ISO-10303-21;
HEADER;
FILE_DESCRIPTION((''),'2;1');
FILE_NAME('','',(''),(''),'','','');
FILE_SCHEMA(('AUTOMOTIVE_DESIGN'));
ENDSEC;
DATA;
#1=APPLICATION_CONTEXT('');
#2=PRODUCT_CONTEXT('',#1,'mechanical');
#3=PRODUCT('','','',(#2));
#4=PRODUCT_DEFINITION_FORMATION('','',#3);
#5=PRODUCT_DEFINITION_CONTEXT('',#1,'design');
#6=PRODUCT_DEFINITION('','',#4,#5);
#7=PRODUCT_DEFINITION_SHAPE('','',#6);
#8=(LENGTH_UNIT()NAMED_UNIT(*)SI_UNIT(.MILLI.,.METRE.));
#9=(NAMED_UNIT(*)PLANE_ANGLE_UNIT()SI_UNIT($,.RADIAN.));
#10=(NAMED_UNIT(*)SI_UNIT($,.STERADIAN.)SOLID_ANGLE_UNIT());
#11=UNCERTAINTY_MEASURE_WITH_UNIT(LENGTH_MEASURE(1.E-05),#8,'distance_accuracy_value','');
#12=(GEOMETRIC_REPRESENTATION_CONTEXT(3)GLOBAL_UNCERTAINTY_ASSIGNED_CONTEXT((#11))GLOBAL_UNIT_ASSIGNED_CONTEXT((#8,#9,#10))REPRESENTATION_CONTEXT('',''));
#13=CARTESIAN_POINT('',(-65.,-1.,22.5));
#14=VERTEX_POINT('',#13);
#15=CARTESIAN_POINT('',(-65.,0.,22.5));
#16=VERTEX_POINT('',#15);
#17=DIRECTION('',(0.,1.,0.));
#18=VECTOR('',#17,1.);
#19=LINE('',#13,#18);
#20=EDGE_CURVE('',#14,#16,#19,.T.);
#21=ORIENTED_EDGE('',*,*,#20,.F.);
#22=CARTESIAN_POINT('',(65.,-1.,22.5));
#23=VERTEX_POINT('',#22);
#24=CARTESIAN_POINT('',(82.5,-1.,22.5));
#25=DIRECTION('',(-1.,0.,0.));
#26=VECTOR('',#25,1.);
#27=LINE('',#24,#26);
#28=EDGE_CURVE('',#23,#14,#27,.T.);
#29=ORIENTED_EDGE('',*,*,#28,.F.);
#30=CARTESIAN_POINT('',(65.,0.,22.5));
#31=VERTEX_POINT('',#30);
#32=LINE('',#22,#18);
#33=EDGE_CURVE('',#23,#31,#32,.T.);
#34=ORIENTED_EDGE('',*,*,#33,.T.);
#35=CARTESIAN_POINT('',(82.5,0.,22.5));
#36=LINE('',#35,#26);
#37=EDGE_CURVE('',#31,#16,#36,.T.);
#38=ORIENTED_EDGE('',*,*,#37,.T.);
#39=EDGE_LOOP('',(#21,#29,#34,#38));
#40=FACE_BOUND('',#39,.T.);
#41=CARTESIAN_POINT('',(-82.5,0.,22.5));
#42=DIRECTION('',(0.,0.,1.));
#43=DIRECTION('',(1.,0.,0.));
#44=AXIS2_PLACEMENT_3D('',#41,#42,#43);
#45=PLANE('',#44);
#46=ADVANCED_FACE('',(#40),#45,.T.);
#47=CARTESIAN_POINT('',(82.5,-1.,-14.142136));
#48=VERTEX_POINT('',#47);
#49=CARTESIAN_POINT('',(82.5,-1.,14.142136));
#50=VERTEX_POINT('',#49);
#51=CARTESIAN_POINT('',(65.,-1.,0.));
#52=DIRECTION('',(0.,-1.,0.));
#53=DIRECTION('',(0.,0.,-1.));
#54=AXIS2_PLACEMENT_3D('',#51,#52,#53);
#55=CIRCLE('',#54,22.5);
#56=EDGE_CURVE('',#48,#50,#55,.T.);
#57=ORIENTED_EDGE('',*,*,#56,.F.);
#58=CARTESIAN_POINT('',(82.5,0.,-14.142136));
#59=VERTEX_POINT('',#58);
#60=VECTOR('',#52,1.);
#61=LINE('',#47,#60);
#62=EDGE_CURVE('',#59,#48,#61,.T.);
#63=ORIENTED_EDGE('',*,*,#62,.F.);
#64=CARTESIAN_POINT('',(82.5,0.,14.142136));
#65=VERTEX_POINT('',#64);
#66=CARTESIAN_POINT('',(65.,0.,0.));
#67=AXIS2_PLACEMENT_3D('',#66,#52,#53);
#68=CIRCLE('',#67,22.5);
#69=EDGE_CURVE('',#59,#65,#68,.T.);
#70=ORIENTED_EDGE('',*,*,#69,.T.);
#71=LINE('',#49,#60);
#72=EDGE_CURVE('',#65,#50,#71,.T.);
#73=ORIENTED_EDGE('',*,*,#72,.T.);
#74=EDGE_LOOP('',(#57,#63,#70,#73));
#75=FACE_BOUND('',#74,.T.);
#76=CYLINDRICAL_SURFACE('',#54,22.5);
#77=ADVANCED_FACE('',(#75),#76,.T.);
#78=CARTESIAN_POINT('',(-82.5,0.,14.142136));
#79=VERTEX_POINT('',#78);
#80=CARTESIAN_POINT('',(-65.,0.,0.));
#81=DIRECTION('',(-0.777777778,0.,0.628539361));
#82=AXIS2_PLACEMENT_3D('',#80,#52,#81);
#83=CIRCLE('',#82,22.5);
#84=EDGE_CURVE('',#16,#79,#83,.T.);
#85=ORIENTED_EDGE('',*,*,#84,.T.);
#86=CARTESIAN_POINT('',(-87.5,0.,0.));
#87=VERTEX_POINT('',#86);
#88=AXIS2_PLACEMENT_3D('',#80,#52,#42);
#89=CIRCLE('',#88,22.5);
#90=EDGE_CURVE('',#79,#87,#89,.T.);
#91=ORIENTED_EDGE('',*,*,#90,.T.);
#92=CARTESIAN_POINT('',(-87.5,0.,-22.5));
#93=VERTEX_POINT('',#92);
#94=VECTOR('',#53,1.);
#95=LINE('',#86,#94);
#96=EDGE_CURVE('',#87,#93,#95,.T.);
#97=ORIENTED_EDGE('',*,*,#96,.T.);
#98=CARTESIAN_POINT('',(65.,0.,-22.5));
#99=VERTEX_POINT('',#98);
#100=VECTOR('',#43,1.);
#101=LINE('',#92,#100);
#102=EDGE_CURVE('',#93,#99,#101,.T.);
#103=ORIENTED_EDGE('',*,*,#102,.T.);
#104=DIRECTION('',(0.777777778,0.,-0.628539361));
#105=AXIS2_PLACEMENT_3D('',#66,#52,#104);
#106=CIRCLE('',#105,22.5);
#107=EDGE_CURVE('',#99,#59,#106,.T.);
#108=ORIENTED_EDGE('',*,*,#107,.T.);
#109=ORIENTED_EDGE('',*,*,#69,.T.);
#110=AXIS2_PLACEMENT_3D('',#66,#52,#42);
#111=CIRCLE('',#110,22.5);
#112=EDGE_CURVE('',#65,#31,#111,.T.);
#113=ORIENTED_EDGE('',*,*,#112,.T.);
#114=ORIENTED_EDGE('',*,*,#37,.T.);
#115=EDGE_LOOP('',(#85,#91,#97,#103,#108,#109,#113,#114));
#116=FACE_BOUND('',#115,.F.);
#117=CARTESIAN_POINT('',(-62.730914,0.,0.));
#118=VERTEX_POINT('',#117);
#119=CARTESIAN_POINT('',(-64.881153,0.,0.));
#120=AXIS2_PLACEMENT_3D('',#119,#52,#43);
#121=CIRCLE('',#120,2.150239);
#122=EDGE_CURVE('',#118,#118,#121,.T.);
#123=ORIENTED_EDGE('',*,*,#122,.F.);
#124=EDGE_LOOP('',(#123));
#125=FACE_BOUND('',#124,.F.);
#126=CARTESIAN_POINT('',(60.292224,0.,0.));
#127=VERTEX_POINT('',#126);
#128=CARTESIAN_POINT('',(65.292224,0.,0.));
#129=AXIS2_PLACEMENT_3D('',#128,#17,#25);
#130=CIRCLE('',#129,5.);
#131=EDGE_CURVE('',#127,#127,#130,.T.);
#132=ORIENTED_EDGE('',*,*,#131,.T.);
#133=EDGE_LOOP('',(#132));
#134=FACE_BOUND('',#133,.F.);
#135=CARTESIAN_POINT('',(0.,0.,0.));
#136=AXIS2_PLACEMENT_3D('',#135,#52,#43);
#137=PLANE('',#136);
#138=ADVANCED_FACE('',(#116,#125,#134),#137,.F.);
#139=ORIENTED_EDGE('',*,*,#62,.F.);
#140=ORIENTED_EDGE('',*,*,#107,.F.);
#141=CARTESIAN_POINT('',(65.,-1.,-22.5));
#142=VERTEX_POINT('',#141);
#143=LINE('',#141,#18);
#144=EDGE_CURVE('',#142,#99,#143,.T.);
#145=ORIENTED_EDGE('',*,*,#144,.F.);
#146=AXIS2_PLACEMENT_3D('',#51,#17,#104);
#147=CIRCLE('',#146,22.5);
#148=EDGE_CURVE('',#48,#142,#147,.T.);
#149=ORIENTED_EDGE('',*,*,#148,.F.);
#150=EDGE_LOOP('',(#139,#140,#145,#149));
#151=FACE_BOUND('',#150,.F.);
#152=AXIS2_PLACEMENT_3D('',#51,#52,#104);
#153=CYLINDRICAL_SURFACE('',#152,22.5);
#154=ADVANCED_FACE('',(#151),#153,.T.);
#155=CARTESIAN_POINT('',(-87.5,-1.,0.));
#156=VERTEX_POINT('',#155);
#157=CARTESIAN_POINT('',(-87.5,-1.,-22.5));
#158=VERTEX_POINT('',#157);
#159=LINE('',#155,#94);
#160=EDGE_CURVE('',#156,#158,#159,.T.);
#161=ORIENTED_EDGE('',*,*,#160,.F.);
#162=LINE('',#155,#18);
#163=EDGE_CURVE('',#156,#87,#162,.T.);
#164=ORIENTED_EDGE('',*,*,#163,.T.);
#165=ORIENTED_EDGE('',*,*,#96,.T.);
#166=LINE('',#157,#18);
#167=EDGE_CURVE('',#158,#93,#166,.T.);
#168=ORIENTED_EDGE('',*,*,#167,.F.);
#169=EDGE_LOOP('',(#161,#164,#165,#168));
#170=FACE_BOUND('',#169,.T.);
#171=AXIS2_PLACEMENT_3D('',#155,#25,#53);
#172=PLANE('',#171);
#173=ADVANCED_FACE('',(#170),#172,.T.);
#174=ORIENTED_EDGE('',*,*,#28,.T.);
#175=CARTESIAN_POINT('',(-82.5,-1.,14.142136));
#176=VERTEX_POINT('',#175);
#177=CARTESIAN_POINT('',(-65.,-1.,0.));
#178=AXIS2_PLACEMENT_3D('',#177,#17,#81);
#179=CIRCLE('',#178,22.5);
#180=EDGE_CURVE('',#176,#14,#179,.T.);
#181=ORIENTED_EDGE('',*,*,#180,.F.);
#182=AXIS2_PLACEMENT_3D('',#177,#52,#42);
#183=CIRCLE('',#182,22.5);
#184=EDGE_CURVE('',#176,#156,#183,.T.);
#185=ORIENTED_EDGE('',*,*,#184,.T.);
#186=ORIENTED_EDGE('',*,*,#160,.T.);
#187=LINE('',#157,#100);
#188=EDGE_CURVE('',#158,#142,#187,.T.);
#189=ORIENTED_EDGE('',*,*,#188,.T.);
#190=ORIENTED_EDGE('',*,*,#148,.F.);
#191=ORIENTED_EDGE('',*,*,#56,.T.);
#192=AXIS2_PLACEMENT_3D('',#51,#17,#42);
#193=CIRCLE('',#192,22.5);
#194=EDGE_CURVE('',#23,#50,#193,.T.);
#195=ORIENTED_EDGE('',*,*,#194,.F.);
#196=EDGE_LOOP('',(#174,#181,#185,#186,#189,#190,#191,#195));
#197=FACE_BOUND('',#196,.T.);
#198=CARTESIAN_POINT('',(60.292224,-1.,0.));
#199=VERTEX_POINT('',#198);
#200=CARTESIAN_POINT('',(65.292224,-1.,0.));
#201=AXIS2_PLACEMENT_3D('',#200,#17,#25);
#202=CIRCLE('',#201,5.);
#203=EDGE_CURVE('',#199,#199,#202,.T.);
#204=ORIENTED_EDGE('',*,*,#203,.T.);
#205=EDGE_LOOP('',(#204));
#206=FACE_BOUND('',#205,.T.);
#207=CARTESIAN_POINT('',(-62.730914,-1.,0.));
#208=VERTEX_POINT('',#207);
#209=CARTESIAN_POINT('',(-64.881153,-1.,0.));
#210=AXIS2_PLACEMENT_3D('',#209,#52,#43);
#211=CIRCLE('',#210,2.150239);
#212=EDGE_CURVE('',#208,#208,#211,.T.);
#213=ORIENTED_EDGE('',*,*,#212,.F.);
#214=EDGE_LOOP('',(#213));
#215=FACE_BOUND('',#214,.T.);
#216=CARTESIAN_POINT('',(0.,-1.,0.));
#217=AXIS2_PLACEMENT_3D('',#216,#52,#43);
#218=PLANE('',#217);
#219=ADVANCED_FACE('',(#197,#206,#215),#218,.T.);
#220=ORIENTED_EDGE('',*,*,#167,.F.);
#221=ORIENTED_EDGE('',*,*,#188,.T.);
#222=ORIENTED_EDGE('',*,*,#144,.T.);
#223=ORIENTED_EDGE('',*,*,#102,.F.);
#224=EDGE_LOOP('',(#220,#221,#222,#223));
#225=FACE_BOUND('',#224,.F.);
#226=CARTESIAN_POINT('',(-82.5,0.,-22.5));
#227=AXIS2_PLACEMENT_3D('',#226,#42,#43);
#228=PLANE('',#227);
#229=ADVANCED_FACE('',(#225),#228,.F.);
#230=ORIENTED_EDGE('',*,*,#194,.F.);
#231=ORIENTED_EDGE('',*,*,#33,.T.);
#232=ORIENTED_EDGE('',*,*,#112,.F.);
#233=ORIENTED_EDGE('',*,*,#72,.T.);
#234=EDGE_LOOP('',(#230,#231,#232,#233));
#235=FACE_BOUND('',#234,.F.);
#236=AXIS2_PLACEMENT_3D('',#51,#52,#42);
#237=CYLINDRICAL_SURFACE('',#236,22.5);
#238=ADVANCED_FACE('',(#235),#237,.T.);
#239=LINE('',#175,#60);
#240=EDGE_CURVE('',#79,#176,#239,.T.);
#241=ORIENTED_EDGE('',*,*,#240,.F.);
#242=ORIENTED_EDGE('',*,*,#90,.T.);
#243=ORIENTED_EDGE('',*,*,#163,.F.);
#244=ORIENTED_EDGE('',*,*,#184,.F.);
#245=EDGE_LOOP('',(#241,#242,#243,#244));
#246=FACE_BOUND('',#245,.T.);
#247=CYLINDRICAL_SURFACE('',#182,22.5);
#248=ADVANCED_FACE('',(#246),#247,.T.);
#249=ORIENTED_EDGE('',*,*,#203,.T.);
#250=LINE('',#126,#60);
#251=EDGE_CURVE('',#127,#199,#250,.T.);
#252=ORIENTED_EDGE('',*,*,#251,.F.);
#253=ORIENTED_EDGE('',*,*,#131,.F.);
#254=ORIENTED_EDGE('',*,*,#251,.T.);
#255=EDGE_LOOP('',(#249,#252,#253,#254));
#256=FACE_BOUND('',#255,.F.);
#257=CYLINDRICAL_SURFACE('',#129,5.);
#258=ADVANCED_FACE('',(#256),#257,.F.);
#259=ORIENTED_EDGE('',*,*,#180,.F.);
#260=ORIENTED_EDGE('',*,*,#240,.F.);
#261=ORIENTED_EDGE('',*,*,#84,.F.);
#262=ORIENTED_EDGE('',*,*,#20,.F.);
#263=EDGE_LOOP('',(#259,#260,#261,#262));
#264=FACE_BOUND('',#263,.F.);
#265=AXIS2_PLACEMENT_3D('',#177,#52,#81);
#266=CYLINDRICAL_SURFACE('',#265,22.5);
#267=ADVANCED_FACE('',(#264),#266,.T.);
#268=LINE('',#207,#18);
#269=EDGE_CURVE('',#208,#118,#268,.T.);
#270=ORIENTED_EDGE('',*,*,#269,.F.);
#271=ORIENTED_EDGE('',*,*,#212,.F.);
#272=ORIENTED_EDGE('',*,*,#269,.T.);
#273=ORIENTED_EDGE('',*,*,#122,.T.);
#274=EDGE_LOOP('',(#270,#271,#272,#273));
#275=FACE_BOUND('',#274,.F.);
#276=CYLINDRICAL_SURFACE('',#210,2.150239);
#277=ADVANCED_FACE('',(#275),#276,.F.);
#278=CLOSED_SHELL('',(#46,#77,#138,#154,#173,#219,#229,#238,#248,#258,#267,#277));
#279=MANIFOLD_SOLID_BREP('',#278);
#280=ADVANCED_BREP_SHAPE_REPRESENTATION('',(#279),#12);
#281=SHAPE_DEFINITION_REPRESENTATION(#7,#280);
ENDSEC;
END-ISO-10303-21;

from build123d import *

# Parameters (mm, degrees)
F0_W      = 165
F0_H      = 45
F0_R      = 12.5
F1_DEPTH  = 1
F3_DEPTH  = 1
F4_DEPTH  = 25
F5_DEPTH  = 25
F8_DEPTH  = 1
F9_W      = 35.9933748841
F9_H      = 31.3726086169
F9_W_2    = 33.6829945445
F9_H_2    = 28.8190245628
F10_DEPTH = 1
F11_R     = 4.1249872097
F12_DEPTH = 25
F13_R     = 2.1502393586
F14_DEPTH = 25
F15_R     = 5
F16_DEPTH = 25


with BuildPart() as f1:
    # F0 (on Front) → F1 (new body)
    with BuildSketch(Plane.XZ):
        Rectangle(F0_W, F0_H)
        with Locations((-65, 0)):
            Circle(F0_R, mode=Mode.SUBTRACT)
        with Locations((65, 0)):
            Circle(F0_R, mode=Mode.SUBTRACT)
    extrude(amount=F1_DEPTH)

    # F2 (on face) → F3 (join)
    with BuildSketch(Plane.XZ.offset(1)):
        with BuildLine():
            Line((68.3925151825, -19.0988145769), (65, -22.5))
            ThreePointArc((65, -22.5), (87.5, 0), (65, 22.5))
            Line((65, 22.5), (71.474224329, 16.2770561874))
            Line((71.474224329, 16.2770561874), (77.4062722921, 9.1145541519))
            Line((77.4062722921, 9.1145541519), (80.3926512599, 2.1407562308))
            Line((80.3926512599, 2.1407562308), (80.3926512599, -5.2317115478))
            Line((80.3926512599, -5.2317115478), (78.3914923668, -12.1520543471))
            Line((78.3914923668, -12.1520543471), (74.6632069349, -14.4081749022))
            Line((74.6632069349, -14.4081749022), (68.3925151825, -19.0988145769))
        make_face()
        with BuildLine():
            Line((-65, 14.9617949501), (-65, 22.5))
            ThreePointArc((-65, 22.5), (-87.5, 0), (-65, -22.5))
            Line((-65, -22.5), (-67.4760043621, -15.6979020685))
            Line((-67.4760043621, -15.6979020685), (-72.8440880775, -12.9142012447))
            Line((-72.8440880775, -12.9142012447), (-76.5851810575, -7.8018400818))
            Line((-76.5851810575, -7.8018400818), (-79.5639529824, 0))
            Line((-79.5639529824, 0), (-79.5639529824, 6.4657721668))
            Line((-79.5639529824, 6.4657721668), (-75.4495188594, 11.7608513683))
            Line((-75.4495188594, 11.7608513683), (-65, 14.9617949501))
        make_face()
    extrude(amount=-F3_DEPTH)

    # F2 (on face) → F4 (cut)
    with BuildSketch(Plane.XZ.offset(1)):
        with BuildLine():
            Line((-82.5, 22.5), (-82.5, 14.1421356237))
            ThreePointArc((-82.5, 14.1421356237), (-74.6966991411, 20.3033008589), (-65, 22.5))
            Line((-65, 22.5), (-82.5, 22.5))
        make_face()
    extrude(amount=-F4_DEPTH, mode=Mode.SUBTRACT)

    # F2 (on face) → F5 (cut)
    with BuildSketch(Plane.XZ.offset(1)):
        with BuildLine():
            ThreePointArc((82.5, -14.1421356237), (74.6966991411, -20.3033008589), (65, -22.5))
            Line((65, -22.5), (82.5, -22.5))
            Line((82.5, -22.5), (82.5, -14.1421356237))
        make_face()
        with BuildLine():
            ThreePointArc((65, 22.5), (74.6966991411, 20.3033008589), (82.5, 14.1421356237))
            Line((82.5, 14.1421356237), (82.5, 22.5))
            Line((82.5, 22.5), (65, 22.5))
        make_face()
        with BuildLine():
            Line((-82.5, -22.5), (-65, -22.5))
            ThreePointArc((-65, -22.5), (-74.6966991411, -20.3033008589), (-82.5, -14.1421356237))
            Line((-82.5, -14.1421356237), (-82.5, -22.5))
        make_face()
    extrude(amount=-F5_DEPTH, mode=Mode.SUBTRACT)

    # F7 (on face) → F8 (join)
    with BuildSketch(Plane.XZ.offset(1)):
        Polygon((-81.9395110011, 0), (-87.5, 0), (-87.5, -22.5), (-65, -22.5), (-65, -18.5897927731), (-73.3228996396, -16.0001199692), (-80.1934376359, -9.6208481118), align=None)
    extrude(amount=-F8_DEPTH)

    # F9 (on face) → F10 (join)
    with BuildSketch(Plane.XZ.offset(1)):
        with Locations((-60.8671866357, 0.5391770974)):
            Rectangle(F9_W, F9_H)
        with Locations((63.7112520635, 0.1135794446)):
            Rectangle(F9_W_2, F9_H_2)
    extrude(amount=-F10_DEPTH)

    # F11 (on face) → F12 (cut)
    with BuildSketch(Plane.XZ.offset(1)):
        with Locations((65.292224288, 0)):
            Circle(F11_R)
    extrude(amount=-F12_DEPTH, mode=Mode.SUBTRACT)

    # F13 (on face) → F14 (cut)
    with BuildSketch(Plane.XZ.offset(1)):
        with Locations((-64.8811534047, 0)):
            Circle(F13_R)
    extrude(amount=-F14_DEPTH, mode=Mode.SUBTRACT)

    # F15 (on face) → F16 (cut)
    with BuildSketch(Plane(origin=(0, 0, 0), x_dir=(-1, 0, 0), z_dir=(0, 1, 0))):
        with Locations((-65.292224288, 0)):
            Circle(F15_R)
    extrude(amount=-F16_DEPTH, mode=Mode.SUBTRACT)


solid = f1.part
